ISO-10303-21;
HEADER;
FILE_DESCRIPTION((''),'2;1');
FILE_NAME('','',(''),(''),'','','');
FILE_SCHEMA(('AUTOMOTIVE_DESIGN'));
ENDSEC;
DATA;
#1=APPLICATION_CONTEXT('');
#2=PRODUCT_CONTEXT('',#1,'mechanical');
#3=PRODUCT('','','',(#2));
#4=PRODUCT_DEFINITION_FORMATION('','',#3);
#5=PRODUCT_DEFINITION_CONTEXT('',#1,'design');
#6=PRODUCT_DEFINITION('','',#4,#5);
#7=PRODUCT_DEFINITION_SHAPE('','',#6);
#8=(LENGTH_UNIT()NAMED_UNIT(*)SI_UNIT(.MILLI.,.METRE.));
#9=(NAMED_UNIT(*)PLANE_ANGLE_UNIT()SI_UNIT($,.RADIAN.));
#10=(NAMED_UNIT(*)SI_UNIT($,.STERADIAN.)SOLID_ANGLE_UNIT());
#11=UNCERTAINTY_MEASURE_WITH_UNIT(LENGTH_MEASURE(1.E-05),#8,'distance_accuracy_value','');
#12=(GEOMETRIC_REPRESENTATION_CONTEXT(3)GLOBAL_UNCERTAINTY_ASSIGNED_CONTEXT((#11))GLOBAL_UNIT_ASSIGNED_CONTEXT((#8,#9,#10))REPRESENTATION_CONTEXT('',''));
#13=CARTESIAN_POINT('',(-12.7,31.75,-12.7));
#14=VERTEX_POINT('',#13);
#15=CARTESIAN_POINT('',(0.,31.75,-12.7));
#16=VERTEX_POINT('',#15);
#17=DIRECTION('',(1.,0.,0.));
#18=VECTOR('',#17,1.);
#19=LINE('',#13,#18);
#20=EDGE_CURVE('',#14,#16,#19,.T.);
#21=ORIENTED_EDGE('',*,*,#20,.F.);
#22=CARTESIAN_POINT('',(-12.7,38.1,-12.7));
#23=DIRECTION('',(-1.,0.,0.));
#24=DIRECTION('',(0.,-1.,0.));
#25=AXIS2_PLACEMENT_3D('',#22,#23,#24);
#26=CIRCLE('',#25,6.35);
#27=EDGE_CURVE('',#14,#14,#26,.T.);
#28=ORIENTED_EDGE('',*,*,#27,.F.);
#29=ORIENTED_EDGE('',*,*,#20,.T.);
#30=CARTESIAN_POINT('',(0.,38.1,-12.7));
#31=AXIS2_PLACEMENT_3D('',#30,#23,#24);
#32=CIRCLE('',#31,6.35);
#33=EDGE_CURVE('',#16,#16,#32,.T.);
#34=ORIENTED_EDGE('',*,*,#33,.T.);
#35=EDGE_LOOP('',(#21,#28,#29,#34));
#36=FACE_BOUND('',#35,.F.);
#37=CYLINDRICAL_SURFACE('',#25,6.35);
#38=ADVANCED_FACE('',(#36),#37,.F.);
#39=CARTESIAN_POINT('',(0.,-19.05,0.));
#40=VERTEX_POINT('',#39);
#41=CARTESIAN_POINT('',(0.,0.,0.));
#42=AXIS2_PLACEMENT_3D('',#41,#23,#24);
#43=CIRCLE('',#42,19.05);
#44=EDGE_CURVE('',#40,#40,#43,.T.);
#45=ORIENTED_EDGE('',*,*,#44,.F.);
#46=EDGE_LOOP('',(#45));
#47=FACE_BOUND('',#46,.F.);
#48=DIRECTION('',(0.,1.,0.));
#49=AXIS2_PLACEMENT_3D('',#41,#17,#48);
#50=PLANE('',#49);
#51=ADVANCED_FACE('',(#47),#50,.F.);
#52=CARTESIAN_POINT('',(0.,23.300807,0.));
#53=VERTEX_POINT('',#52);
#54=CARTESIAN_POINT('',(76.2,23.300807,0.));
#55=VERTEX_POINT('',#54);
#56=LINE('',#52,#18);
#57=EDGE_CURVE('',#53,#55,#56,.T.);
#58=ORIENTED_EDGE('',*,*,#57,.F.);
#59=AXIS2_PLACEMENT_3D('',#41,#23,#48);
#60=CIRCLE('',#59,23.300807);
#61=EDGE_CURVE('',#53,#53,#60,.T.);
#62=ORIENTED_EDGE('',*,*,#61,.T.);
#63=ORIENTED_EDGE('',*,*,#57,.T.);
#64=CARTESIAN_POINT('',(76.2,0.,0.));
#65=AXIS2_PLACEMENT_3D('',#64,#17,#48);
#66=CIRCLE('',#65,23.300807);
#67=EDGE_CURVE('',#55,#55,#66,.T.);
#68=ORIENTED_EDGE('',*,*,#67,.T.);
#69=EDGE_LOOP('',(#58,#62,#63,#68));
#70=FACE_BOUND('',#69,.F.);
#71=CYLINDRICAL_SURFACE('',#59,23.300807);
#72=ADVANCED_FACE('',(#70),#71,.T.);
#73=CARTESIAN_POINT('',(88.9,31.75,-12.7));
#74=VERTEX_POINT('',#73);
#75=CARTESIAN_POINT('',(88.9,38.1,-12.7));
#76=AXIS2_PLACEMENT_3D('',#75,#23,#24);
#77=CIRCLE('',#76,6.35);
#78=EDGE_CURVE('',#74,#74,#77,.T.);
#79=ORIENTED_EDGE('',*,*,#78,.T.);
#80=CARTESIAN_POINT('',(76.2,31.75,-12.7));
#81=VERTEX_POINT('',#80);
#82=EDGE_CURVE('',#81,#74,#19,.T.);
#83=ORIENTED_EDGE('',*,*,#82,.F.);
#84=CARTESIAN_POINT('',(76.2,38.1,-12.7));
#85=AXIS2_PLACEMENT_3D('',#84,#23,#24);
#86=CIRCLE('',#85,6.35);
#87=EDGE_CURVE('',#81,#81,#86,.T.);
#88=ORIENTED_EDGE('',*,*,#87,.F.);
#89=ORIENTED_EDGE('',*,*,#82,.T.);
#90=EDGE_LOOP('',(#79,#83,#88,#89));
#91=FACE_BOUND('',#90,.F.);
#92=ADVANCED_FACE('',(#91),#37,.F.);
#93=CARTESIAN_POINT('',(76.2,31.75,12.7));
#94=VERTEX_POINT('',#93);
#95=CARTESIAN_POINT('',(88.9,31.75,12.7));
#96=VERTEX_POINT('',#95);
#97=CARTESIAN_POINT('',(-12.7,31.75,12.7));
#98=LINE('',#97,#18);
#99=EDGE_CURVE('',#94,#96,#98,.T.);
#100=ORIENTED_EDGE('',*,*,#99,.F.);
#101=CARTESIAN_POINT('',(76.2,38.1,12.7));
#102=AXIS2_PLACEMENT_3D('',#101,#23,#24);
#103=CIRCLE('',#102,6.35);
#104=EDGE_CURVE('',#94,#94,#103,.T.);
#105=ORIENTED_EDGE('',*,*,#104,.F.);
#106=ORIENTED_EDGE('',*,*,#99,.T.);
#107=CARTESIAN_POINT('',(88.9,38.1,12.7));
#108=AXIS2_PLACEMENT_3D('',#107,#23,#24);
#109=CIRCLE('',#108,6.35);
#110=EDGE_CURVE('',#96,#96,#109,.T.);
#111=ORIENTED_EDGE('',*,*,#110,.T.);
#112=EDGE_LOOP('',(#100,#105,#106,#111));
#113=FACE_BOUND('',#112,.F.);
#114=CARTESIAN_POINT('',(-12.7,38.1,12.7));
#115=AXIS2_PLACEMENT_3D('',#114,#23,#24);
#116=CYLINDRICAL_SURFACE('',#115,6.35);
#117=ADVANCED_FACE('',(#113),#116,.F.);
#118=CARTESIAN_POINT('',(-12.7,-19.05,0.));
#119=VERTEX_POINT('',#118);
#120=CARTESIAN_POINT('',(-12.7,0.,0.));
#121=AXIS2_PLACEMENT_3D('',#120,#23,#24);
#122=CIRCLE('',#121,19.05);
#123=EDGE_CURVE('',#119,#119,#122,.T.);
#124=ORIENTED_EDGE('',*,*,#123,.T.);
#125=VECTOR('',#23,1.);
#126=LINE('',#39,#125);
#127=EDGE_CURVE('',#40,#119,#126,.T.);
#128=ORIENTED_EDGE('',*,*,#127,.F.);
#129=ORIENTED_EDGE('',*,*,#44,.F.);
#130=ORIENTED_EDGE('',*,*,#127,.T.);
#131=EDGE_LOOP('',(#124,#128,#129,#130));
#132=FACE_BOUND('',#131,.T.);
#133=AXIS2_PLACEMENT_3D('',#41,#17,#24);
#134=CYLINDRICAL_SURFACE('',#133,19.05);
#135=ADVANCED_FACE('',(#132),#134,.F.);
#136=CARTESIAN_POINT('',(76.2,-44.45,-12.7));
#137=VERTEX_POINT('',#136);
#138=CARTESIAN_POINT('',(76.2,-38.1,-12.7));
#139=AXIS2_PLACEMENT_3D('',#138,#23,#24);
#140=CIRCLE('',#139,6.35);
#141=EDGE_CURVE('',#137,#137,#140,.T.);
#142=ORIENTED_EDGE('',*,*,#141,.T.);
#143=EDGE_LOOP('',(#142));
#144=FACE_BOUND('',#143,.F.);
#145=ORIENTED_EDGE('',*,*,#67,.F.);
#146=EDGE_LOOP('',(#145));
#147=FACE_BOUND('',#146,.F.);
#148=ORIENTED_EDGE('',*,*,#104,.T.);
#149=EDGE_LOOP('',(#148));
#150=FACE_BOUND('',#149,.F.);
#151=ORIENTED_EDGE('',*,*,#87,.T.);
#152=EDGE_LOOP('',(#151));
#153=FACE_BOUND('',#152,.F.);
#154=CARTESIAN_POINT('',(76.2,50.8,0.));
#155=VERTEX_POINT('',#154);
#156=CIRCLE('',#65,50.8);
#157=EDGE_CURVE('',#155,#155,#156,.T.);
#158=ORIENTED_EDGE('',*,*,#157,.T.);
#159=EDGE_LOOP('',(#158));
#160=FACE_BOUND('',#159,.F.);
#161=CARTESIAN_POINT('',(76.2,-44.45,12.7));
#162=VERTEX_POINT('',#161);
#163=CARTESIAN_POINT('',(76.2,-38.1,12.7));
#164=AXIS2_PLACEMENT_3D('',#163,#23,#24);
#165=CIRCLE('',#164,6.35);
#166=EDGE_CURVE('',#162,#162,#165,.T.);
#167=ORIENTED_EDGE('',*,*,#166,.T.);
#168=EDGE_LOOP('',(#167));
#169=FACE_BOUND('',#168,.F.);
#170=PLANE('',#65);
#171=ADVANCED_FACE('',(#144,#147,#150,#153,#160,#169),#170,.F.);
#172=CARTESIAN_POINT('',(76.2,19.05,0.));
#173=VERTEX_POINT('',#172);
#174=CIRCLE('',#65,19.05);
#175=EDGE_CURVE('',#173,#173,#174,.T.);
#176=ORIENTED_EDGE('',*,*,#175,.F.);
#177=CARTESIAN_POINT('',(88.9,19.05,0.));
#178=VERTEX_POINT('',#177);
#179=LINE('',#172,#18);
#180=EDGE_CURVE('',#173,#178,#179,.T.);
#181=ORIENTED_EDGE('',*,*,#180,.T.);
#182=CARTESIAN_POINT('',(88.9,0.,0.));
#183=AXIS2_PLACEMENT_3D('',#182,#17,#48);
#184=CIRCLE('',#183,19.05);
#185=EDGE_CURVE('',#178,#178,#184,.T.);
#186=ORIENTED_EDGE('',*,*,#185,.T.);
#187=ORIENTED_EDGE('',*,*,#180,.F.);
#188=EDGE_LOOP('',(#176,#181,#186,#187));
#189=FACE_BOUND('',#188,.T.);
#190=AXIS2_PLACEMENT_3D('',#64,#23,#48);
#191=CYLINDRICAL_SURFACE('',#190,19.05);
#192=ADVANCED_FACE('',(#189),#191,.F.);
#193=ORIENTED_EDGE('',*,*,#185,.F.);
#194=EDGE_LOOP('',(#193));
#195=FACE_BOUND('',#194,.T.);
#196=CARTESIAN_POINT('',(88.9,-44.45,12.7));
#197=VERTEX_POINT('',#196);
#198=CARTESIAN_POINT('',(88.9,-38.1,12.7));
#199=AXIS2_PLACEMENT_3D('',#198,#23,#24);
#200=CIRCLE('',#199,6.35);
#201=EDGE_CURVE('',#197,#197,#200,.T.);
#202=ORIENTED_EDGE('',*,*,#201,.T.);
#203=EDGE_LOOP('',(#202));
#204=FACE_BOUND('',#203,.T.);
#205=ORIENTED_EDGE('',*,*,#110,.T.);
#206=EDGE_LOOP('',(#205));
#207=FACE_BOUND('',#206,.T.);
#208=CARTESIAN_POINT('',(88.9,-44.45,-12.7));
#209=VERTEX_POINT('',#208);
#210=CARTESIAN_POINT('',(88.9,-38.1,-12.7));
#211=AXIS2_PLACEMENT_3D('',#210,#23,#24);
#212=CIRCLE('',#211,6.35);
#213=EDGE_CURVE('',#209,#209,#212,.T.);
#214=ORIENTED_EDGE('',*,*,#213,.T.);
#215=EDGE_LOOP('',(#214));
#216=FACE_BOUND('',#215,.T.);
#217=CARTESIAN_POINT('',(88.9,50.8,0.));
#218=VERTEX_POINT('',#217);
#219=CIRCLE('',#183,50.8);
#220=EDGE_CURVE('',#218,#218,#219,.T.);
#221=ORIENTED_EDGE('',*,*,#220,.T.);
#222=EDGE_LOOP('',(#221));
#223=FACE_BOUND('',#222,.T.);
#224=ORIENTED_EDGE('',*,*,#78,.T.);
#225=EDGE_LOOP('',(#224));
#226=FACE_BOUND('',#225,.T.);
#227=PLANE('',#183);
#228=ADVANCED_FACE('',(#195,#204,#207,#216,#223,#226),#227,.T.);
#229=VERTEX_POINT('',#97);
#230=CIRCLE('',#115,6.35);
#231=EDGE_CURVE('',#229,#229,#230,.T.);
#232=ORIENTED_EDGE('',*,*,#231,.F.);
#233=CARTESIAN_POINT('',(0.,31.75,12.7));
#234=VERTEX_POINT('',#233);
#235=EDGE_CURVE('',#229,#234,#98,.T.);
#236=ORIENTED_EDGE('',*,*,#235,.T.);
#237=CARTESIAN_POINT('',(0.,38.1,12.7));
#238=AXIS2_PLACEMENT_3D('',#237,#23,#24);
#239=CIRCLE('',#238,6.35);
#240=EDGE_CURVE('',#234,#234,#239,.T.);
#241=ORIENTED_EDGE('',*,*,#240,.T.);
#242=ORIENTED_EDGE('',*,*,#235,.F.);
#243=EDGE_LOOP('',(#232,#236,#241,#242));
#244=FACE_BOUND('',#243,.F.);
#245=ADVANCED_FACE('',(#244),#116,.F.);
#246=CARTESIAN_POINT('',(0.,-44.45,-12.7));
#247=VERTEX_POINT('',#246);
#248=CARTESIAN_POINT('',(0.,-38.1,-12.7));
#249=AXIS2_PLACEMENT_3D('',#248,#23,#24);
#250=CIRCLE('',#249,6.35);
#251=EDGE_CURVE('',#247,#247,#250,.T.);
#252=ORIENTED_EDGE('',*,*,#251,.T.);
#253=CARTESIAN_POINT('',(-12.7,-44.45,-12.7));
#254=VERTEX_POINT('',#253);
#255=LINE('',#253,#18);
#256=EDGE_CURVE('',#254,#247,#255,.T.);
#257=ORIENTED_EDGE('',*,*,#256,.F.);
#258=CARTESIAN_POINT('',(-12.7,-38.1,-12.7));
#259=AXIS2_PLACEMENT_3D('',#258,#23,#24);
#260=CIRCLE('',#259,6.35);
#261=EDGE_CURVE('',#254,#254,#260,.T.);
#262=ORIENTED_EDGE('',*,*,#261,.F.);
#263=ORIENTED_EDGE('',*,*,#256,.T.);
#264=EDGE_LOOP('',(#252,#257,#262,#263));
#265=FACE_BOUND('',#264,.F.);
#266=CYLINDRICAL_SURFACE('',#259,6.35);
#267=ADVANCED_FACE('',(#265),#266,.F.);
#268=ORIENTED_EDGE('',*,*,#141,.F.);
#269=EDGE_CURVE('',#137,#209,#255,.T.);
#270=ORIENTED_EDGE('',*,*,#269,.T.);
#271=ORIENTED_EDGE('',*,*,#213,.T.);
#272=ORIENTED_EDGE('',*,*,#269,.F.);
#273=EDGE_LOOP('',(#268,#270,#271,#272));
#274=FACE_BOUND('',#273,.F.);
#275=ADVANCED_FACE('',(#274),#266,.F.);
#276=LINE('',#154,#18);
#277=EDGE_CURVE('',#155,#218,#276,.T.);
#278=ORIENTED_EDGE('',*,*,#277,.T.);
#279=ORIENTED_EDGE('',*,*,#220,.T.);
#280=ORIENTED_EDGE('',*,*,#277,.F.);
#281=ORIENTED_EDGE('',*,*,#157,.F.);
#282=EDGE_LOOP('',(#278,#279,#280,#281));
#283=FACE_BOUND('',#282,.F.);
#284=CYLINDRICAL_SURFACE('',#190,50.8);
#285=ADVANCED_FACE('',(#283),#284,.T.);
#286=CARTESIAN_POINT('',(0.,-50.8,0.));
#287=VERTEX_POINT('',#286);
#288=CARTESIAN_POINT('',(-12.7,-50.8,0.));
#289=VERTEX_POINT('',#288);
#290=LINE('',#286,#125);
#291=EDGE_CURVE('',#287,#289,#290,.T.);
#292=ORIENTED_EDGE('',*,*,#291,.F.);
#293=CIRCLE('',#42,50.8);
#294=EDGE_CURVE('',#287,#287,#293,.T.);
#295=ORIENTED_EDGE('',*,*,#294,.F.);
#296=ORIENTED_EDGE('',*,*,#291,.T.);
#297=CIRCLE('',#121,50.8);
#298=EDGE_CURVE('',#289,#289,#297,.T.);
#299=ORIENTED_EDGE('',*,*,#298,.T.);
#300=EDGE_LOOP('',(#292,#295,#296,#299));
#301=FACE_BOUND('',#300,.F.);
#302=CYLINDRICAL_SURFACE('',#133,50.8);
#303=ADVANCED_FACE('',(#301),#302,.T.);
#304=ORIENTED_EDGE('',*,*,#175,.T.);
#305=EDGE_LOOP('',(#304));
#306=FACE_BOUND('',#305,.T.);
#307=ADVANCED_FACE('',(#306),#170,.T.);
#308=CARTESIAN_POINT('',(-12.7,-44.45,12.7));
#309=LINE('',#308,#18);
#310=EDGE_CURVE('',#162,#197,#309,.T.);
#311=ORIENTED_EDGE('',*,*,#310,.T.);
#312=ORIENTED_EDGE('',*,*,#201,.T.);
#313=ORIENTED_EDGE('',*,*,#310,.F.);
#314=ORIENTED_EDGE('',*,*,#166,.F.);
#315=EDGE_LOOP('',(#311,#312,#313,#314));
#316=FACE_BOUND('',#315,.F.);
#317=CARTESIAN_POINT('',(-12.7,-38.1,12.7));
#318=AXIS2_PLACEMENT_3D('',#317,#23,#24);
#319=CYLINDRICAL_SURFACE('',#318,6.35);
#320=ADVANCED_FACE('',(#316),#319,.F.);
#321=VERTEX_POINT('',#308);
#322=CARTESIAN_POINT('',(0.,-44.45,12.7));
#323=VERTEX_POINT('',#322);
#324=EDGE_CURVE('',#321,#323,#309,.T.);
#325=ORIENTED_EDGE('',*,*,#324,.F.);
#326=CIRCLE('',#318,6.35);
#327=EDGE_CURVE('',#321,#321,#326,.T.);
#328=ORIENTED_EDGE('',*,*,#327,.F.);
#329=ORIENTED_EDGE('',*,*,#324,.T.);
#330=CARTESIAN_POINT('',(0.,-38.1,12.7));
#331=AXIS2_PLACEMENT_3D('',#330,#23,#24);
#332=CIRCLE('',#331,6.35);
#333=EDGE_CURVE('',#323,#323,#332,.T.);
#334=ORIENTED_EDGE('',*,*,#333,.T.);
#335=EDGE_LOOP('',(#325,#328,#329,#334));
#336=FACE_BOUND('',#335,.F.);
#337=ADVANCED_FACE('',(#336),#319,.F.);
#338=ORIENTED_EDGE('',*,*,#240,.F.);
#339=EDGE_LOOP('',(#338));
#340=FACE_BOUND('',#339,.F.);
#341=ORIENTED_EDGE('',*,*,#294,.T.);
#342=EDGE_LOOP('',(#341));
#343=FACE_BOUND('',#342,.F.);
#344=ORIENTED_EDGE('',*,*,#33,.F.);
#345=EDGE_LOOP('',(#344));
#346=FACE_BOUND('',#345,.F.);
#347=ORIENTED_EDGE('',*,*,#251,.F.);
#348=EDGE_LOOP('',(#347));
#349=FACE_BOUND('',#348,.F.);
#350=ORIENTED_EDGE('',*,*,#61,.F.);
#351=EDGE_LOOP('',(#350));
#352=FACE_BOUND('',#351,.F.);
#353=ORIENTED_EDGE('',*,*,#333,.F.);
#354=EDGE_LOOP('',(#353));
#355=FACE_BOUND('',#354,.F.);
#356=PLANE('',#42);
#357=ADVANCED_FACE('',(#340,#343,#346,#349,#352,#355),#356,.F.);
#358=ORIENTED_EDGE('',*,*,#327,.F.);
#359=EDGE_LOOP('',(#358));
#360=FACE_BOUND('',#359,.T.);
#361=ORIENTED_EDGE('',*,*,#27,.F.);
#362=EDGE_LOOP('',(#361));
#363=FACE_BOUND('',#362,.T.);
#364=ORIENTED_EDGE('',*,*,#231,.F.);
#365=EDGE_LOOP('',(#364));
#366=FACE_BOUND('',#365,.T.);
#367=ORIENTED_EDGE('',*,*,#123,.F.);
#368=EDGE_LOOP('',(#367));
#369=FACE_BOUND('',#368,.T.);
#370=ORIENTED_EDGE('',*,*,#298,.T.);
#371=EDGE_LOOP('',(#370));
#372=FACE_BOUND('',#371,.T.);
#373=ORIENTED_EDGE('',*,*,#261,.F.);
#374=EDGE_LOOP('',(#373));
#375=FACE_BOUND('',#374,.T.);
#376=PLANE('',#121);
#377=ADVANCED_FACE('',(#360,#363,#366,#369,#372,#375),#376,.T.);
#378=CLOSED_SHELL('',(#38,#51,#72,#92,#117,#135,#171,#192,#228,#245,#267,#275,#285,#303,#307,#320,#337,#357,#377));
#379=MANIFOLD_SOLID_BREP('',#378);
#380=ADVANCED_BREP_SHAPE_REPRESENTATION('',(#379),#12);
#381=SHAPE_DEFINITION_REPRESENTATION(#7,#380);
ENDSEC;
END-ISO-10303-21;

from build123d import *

# Parameters (mm, degrees)
F0_R      = 23.300807
F1_DEPTH  = 76.2
F3_R      = 50.8
F3_R_2    = 23.300807
F4_DEPTH  = 12.7
F6_R      = 50.8
F6_R_2    = 23.300807
F7_DEPTH  = 12.7
F8_R      = 23.300807
F8_R_2    = 19.05
F9_DEPTH  = 12.7
F10_R     = 23.300807
F10_R_2   = 19.05
F11_DEPTH = 12.7
F12_R     = 6.35
F13_DEPTH = 2540


with BuildPart() as f1:
    # F0 (on Right) → F1 (new body)
    with BuildSketch(Plane.YZ):
        Circle(F0_R)
    extrude(amount=F1_DEPTH)



with BuildPart() as f4:
    # F3 (on face) → F4 (new body)
    with BuildSketch(Plane(origin=(0, 0, 0), x_dir=(0, -1, 0), z_dir=(-1, 0, 0))):
        Circle(F3_R)
        Circle(F3_R_2, mode=Mode.SUBTRACT)
    extrude(amount=F4_DEPTH)


with BuildPart() as f7:
    # F6 (on face) → F7 (new body)
    with BuildSketch(Plane.YZ.offset(76.2)):
        Circle(F6_R)
        Circle(F6_R_2, mode=Mode.SUBTRACT)
    extrude(amount=F7_DEPTH)


with BuildPart() as f1_1:
    add(f1.part)

    add(f7.part)  # F9 merges F7
    # F8 (on face) → F9 (join)
    with BuildSketch(Plane.YZ.offset(76.2)):
        Circle(F8_R)
        Circle(F8_R_2, mode=Mode.SUBTRACT)
    extrude(amount=F9_DEPTH)


    add(f4.part)  # F11 merges F4
    # F10 (on face) → F11 (join)
    with BuildSketch(Plane(origin=(0, 0, 0), x_dir=(0, -1, 0), z_dir=(-1, 0, 0))):
        Circle(F10_R)
        Circle(F10_R_2, mode=Mode.SUBTRACT)
    extrude(amount=F11_DEPTH)

    # F12 (on face) → F13 (cut)
    with BuildSketch(Plane(origin=(-12.7, 0, 0), x_dir=(0, -1, 0), z_dir=(-1, 0, 0))):
        with Locations((-38.1, 12.7)):
            Circle(F12_R)
        with Locations((-38.1, -12.7)):
            Circle(F12_R)
        with Locations((38.1, -12.7)):
            Circle(F12_R)
        with Locations((38.1, 12.7)):
            Circle(F12_R)
    extrude(amount=-F13_DEPTH, mode=Mode.SUBTRACT)


solid = f1_1.part
